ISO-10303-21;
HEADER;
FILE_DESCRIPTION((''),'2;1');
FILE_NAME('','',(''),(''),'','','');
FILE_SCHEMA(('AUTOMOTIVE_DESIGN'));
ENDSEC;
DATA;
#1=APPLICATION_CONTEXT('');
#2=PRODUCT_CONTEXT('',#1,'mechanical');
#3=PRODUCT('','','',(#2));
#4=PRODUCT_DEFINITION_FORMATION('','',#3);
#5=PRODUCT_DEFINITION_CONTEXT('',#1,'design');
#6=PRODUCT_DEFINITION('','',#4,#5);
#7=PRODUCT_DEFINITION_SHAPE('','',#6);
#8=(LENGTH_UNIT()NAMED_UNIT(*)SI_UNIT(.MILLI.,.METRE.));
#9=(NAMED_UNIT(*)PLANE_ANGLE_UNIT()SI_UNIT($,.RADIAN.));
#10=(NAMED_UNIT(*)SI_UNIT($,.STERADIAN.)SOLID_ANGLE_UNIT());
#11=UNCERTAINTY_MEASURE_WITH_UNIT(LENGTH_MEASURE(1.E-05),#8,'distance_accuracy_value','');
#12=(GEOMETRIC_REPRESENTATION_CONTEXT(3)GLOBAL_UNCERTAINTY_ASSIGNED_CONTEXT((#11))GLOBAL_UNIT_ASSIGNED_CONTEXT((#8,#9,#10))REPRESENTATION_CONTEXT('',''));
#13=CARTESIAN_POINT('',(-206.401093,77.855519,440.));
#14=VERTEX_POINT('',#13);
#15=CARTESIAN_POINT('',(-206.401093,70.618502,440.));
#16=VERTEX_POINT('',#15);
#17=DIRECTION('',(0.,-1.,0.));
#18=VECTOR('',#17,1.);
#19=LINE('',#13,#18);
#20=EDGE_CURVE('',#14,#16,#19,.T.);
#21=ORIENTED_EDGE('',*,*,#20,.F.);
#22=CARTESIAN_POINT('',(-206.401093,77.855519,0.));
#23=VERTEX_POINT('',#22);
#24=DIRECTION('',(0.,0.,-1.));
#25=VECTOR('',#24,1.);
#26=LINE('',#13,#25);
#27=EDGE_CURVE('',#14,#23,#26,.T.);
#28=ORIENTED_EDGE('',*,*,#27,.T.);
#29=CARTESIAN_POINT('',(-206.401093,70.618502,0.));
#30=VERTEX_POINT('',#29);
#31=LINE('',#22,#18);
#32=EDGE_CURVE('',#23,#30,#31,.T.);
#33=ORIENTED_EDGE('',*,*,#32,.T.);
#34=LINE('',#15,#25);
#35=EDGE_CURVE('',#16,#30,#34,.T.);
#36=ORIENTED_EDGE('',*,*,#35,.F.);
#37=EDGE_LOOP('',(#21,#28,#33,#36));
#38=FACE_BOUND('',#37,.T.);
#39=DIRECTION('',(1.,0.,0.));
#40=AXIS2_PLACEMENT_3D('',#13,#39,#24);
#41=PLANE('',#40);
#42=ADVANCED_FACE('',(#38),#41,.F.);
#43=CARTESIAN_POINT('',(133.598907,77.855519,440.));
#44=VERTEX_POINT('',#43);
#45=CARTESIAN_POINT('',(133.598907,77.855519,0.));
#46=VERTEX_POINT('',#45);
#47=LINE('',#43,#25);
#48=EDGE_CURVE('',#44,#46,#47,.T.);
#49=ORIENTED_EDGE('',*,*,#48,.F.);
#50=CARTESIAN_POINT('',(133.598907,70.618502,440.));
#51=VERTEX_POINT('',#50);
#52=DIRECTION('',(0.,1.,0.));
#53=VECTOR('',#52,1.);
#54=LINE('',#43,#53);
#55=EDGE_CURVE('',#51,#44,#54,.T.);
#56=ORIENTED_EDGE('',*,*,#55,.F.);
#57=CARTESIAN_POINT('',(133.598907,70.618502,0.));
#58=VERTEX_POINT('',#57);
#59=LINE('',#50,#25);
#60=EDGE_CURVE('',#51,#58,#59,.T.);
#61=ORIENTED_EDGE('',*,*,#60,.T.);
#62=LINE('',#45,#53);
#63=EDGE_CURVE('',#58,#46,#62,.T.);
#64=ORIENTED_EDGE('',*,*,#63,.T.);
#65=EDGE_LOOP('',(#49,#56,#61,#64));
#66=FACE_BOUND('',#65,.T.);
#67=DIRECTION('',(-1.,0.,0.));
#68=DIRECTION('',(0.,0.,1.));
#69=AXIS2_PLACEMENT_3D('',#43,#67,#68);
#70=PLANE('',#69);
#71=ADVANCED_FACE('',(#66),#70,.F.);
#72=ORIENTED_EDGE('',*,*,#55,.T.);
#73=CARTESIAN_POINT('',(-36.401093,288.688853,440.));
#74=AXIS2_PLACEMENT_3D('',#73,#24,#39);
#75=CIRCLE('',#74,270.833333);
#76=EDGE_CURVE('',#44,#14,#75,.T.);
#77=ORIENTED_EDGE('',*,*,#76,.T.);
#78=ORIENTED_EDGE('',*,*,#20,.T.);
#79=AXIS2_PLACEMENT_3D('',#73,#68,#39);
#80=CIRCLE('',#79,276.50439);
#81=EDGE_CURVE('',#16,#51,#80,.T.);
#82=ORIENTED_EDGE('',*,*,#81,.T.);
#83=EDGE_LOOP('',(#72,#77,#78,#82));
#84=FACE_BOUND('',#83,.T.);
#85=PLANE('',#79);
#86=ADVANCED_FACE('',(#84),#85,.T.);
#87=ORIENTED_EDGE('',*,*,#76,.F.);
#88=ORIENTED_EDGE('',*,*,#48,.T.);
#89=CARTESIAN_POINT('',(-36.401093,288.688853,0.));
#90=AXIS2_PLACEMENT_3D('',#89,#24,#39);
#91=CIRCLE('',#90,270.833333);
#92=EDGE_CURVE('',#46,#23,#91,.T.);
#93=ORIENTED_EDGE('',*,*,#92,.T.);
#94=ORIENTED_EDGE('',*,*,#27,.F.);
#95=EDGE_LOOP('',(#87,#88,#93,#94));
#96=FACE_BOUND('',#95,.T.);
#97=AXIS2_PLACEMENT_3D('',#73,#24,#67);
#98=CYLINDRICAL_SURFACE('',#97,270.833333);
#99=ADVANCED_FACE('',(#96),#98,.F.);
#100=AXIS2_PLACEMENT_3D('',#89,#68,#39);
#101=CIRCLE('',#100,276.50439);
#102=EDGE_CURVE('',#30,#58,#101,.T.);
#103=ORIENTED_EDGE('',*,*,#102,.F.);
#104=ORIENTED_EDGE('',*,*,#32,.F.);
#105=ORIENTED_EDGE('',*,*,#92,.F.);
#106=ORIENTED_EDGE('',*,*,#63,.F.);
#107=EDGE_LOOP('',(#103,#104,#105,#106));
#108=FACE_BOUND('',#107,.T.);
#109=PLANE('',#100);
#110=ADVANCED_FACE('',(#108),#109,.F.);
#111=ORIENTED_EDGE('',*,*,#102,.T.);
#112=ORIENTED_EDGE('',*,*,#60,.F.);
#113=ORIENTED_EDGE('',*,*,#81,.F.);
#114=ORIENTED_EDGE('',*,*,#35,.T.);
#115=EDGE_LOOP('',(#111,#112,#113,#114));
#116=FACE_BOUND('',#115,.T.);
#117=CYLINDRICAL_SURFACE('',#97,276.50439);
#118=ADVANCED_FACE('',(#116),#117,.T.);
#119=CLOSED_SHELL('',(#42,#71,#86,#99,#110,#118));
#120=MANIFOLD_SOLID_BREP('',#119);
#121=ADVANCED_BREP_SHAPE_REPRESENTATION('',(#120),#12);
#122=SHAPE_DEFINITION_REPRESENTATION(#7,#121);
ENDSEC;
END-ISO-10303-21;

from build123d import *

# Parameters (mm, degrees)
BOSS_EXTRUDE1_DEPTH = 440


with BuildPart() as part:
    # Sketch1 → Boss-Extrude1 (new body)
    with BuildSketch(Plane.XY):
        with BuildLine():
            Line((-206.401092582, 77.855519445), (-206.401092582, 70.618502369))
            ThreePointArc((-206.401092582, 70.618502369), (-36.401092582, 12.184462709), (133.598907418, 70.618502369))
            Line((133.598907418, 70.618502369), (133.598907418, 77.855519445))
            ThreePointArc((133.598907418, 77.855519445), (-36.401092582, 17.855519445), (-206.401092582, 77.855519445))
        make_face()
    extrude(amount=BOSS_EXTRUDE1_DEPTH)


solid = part.part
